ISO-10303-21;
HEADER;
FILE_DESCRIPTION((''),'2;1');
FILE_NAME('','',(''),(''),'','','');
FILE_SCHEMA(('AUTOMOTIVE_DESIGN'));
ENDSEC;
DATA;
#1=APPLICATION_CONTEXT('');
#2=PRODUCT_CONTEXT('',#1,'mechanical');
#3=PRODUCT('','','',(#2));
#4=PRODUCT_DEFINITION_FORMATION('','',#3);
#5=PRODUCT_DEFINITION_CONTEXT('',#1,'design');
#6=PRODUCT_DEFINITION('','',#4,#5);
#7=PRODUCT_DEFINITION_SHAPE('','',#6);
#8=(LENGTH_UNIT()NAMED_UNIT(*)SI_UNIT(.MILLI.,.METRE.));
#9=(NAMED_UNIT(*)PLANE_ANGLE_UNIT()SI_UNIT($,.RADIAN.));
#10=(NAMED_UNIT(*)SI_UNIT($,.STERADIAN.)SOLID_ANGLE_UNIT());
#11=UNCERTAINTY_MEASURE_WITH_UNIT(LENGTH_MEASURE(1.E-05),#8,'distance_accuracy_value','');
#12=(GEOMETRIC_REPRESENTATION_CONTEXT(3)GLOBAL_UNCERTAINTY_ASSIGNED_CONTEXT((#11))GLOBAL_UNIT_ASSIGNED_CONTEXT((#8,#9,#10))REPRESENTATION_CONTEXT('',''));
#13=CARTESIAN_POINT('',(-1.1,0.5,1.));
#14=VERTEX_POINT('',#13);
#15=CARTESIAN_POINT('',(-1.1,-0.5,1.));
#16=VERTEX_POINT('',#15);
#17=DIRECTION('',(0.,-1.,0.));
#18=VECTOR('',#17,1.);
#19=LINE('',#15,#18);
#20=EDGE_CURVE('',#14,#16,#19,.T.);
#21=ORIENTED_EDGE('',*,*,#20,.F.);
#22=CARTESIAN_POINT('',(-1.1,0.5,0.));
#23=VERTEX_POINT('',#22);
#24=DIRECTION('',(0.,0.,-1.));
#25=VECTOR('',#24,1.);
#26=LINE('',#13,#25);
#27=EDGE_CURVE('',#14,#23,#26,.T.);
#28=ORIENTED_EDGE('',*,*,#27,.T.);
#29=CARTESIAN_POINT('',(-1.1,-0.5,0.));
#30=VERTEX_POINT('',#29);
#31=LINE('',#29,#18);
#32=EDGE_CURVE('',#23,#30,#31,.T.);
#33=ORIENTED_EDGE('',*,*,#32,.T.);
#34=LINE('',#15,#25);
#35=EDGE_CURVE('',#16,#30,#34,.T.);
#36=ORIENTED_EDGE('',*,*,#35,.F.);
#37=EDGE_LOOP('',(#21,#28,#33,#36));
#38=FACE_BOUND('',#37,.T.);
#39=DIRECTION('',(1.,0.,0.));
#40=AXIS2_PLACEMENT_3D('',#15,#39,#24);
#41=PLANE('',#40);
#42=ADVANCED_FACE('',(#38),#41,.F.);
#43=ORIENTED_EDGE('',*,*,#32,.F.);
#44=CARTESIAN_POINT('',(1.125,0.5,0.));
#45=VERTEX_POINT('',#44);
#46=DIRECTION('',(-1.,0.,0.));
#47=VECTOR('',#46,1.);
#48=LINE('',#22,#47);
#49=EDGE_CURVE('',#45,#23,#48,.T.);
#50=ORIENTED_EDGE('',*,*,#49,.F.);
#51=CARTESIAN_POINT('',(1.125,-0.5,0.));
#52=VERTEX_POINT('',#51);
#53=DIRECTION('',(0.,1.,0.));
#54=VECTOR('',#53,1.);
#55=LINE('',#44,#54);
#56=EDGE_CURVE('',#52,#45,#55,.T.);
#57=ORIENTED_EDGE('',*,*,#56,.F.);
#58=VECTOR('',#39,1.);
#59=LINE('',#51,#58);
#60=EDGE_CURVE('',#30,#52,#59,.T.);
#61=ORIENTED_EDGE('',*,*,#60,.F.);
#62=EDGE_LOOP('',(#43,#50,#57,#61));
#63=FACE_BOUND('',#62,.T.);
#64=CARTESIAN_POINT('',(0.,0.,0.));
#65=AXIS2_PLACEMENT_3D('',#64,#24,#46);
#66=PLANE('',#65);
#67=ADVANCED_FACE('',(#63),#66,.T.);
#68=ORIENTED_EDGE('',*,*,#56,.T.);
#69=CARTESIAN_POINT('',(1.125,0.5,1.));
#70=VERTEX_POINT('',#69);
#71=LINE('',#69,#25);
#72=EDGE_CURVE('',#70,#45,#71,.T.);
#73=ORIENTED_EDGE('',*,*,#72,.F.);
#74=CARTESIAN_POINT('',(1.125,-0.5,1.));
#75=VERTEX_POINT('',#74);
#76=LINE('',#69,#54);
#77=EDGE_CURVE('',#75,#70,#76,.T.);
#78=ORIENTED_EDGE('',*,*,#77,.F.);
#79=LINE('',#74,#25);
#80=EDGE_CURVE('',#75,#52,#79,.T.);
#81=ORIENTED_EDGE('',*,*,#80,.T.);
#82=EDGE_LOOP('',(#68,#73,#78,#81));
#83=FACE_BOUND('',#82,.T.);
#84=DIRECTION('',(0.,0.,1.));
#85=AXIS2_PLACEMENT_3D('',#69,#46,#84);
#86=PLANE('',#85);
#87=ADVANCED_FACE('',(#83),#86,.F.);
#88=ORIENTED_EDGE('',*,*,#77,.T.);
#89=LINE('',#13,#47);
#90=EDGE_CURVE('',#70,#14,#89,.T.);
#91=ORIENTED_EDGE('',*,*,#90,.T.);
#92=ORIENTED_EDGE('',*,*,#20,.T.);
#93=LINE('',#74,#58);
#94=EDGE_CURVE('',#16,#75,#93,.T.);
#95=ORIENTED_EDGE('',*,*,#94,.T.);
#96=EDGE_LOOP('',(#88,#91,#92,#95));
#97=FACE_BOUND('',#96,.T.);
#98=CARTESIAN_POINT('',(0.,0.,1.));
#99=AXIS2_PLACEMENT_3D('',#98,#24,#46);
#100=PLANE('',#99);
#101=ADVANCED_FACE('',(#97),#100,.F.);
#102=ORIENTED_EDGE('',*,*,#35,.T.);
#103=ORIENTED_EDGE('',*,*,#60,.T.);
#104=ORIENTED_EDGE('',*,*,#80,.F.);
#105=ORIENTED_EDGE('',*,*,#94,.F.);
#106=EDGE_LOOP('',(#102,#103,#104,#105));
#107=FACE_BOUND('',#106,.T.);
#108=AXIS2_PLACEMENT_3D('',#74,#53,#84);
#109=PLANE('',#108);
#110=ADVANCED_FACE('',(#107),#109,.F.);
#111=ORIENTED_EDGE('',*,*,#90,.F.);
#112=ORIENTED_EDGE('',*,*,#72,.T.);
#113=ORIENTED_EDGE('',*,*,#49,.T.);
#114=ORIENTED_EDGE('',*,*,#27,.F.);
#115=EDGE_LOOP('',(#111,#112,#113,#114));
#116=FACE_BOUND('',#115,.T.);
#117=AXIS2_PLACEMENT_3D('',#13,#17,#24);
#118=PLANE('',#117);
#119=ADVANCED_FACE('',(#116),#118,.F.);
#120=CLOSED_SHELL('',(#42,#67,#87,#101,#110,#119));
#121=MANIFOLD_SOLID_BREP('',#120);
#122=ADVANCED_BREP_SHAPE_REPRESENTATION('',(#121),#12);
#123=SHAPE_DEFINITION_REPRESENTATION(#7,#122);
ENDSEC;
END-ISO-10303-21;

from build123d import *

# Parameters (mm, degrees)
SKETCH_1_W              = 2.225
SKETCH_1_H              = 1
COMPONENT_OUTLINE_DEPTH = 1


with BuildPart() as part:
    # 草图1 → Component_Outline (new body)
    with BuildSketch(Plane.XY):
        with Locations((0.0125, 0)):
            Rectangle(SKETCH_1_W, SKETCH_1_H)
    extrude(amount=COMPONENT_OUTLINE_DEPTH)


solid = part.part
